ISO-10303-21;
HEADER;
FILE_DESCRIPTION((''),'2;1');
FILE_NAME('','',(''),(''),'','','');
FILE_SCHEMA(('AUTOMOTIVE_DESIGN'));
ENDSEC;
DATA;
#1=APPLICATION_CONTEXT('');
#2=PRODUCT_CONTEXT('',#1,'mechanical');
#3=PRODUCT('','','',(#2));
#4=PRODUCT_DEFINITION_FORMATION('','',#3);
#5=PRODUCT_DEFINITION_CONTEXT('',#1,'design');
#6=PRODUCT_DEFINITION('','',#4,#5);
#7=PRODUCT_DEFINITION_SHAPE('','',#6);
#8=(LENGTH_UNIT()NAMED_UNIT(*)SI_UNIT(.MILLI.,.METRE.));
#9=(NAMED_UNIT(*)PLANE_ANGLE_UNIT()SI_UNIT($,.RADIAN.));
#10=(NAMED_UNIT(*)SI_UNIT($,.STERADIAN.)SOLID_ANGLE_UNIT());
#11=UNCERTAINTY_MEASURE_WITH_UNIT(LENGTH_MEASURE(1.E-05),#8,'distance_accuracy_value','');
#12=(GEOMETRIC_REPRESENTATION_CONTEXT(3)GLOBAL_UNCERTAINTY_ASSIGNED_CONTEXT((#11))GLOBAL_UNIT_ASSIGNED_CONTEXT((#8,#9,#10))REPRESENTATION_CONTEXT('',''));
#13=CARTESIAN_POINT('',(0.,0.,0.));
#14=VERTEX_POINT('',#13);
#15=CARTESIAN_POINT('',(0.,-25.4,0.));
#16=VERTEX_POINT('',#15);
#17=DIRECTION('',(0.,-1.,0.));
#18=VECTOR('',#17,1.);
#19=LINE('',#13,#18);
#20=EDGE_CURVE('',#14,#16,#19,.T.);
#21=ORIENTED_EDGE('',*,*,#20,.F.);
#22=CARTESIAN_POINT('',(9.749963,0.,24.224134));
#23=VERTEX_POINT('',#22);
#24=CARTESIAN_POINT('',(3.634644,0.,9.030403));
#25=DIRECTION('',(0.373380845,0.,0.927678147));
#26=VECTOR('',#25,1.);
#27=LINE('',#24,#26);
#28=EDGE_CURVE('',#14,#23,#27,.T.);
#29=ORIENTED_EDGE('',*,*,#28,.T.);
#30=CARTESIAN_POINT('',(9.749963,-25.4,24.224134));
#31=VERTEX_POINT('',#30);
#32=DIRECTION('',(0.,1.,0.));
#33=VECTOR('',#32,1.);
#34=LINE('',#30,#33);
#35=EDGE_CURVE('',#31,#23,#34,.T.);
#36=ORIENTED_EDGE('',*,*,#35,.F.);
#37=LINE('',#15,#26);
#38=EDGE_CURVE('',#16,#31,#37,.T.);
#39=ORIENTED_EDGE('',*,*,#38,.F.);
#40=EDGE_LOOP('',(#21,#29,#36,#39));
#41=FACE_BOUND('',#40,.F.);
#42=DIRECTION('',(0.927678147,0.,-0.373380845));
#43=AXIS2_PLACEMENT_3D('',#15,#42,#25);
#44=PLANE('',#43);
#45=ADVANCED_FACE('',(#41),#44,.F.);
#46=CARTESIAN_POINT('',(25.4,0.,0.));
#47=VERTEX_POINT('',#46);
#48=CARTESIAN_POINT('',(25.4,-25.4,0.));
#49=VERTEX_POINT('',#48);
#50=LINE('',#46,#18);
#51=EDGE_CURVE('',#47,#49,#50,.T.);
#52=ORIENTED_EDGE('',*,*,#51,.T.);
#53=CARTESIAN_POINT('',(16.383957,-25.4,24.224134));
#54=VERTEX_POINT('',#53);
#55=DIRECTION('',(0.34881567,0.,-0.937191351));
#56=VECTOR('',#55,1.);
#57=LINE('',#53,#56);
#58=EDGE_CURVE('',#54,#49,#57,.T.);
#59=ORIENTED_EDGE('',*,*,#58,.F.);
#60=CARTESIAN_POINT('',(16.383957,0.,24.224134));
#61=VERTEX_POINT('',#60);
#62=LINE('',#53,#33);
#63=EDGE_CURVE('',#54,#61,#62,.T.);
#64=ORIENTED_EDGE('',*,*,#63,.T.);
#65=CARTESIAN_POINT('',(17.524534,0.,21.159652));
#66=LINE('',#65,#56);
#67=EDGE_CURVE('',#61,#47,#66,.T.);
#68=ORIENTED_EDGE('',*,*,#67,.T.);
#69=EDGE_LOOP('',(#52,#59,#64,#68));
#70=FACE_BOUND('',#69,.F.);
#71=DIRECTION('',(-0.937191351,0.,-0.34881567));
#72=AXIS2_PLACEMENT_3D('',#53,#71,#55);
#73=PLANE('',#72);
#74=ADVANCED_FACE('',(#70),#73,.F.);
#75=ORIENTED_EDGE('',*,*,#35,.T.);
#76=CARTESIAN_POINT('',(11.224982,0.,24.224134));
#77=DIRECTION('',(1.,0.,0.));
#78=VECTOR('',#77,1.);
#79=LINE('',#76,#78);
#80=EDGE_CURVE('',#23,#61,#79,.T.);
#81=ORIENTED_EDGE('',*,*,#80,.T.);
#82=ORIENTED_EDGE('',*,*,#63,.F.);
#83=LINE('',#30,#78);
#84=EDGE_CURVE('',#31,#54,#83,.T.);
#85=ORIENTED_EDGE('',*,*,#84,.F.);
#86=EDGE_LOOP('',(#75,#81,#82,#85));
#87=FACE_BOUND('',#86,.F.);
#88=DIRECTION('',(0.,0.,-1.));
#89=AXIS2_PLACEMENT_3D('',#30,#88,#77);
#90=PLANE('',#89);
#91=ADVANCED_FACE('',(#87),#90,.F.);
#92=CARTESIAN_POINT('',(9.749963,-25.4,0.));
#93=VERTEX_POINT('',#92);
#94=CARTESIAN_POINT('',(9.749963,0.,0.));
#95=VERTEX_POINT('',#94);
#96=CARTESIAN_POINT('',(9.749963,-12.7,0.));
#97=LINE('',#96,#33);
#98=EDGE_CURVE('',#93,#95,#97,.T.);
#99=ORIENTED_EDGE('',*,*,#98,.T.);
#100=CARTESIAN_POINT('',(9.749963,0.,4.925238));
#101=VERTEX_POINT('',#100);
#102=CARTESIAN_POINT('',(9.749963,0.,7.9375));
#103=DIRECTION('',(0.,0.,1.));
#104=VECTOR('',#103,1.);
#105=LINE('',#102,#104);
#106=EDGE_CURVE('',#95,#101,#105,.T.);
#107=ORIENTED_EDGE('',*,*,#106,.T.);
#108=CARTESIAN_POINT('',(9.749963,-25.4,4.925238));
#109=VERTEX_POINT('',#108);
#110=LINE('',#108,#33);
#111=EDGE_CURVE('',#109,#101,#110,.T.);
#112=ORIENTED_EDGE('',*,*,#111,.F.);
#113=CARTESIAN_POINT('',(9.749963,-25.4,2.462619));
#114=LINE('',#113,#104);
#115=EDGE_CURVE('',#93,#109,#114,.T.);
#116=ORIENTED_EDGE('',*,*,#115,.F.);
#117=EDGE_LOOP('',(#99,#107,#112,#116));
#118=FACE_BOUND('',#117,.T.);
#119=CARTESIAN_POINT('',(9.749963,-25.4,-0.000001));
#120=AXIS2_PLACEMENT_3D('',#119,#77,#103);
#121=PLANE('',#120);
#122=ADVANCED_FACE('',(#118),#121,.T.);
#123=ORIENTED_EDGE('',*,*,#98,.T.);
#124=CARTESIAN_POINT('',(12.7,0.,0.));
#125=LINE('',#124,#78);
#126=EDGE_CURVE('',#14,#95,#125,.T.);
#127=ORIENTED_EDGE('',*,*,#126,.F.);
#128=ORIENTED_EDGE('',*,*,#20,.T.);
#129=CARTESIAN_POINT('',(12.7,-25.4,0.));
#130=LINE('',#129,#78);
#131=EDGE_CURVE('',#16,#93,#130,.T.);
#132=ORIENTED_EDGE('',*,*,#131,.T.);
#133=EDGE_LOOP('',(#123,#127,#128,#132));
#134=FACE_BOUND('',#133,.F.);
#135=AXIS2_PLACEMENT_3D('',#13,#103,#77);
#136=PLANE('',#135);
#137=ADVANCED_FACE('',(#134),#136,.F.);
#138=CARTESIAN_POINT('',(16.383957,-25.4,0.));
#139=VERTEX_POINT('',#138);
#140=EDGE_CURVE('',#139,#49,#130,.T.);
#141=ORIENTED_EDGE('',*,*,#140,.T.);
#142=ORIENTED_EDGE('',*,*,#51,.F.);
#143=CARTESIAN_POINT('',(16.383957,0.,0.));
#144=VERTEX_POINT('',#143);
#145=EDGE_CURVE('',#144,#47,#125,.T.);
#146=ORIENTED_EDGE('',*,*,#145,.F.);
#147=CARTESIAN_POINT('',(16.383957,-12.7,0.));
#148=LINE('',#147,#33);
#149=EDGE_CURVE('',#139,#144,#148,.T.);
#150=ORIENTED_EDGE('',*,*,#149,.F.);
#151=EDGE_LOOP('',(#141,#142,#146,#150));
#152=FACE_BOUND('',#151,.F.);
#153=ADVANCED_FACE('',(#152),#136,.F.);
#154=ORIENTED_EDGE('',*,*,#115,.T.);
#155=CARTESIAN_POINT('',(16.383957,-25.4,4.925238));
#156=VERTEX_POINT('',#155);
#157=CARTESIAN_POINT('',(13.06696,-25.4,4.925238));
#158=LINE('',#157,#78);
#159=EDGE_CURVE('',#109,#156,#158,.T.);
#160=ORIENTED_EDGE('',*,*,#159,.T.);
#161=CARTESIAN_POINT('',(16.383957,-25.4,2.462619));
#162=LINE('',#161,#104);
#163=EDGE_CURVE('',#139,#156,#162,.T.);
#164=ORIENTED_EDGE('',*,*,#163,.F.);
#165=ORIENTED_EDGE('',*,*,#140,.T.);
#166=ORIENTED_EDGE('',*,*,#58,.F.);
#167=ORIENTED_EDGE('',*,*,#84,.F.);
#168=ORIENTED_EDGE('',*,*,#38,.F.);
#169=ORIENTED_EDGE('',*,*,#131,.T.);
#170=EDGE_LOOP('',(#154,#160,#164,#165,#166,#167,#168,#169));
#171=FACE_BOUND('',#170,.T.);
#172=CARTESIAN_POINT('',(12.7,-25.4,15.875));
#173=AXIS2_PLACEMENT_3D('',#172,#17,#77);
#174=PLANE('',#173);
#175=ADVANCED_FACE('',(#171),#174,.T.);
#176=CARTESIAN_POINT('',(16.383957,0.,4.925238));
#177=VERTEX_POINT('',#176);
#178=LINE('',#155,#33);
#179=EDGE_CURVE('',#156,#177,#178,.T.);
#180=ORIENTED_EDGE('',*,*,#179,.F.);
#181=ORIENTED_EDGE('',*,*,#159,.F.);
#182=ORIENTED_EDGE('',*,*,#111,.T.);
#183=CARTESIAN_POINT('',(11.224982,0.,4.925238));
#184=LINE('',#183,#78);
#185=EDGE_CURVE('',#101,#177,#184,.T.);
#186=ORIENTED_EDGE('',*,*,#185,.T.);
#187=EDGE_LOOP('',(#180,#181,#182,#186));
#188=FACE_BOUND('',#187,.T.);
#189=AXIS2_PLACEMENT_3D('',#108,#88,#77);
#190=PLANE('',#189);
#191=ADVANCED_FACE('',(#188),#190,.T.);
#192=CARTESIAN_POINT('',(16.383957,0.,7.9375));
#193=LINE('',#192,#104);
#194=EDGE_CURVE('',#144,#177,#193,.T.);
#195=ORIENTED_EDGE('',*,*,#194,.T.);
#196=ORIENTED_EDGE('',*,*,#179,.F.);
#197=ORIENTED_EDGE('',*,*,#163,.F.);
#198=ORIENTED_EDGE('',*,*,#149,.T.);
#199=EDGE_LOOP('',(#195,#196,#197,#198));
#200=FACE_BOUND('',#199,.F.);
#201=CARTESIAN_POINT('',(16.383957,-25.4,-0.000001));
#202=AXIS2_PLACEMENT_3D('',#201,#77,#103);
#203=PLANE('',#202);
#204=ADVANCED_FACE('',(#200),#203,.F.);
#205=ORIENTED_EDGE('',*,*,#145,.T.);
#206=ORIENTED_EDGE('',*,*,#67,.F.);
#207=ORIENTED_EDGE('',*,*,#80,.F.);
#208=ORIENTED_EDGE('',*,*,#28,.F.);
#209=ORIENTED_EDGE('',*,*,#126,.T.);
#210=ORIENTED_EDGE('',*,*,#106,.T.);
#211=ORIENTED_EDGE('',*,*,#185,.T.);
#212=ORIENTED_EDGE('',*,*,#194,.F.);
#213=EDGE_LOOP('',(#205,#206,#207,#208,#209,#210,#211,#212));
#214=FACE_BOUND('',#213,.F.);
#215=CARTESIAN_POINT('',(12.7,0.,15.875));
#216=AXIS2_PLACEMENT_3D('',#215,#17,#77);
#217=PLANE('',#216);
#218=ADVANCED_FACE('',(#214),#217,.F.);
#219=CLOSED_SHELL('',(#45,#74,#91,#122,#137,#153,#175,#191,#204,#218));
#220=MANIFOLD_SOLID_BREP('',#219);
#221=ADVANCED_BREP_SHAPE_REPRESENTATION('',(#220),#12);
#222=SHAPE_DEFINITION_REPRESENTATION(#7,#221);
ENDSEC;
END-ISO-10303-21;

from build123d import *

# Parameters (mm, degrees)
F0_W     = 25.4
F0_H     = 31.75
F1_DEPTH = 25.4
F2_W     = 6.633994
F2_H     = 4.925239
F3_DEPTH = 25.401
F5_DEPTH = 25.401
F6_DEPTH = 25.401
F7_DEPTH = 25.401


with BuildPart() as f1:
    # F0 (on Front) → F1 (new body)
    with BuildSketch(Plane.XZ):
        with Locations((12.7, 15.875)):
            Rectangle(F0_W, F0_H)
    extrude(amount=F1_DEPTH)

    # F2 (on face) → F3 (cut, through all)
    with BuildSketch(Plane.XZ.offset(25.4)):
        with Locations((13.06696, 2.462619)):
            Rectangle(F2_W, F2_H)
    extrude(amount=-F3_DEPTH, mode=Mode.SUBTRACT)

    # F4 (on face) → F5 (cut, through all)
    with BuildSketch(Plane.XZ.offset(25.4)):
        Polygon((25.4, 31.75), (0, 31.75), (0, 0), (9.749963, 24.224134), (16.383957, 24.224134), (25.4, 0), align=None)
    extrude(amount=-F5_DEPTH, mode=Mode.SUBTRACT)

    # F2 (on face) → F6 (cut, through all)
    with BuildSketch(Plane.XZ.offset(25.4)):
        Polygon((0, 31.75), (0, 0), (9.749963, 24.224134), (16.383957, 24.224134), (25.4, 0), (25.4, 31.75), align=None)
    extrude(amount=-F6_DEPTH, mode=Mode.SUBTRACT)

    # F2 (on face) → F7 (cut, through all)
    with BuildSketch(Plane.XZ.offset(25.4)):
        Polygon((0, 31.75), (0, 0), (9.749963, 24.224134), (16.383957, 24.224134), (25.4, 0), (25.4, 31.75), align=None)
    extrude(amount=-F7_DEPTH, mode=Mode.SUBTRACT)


solid = f1.part
